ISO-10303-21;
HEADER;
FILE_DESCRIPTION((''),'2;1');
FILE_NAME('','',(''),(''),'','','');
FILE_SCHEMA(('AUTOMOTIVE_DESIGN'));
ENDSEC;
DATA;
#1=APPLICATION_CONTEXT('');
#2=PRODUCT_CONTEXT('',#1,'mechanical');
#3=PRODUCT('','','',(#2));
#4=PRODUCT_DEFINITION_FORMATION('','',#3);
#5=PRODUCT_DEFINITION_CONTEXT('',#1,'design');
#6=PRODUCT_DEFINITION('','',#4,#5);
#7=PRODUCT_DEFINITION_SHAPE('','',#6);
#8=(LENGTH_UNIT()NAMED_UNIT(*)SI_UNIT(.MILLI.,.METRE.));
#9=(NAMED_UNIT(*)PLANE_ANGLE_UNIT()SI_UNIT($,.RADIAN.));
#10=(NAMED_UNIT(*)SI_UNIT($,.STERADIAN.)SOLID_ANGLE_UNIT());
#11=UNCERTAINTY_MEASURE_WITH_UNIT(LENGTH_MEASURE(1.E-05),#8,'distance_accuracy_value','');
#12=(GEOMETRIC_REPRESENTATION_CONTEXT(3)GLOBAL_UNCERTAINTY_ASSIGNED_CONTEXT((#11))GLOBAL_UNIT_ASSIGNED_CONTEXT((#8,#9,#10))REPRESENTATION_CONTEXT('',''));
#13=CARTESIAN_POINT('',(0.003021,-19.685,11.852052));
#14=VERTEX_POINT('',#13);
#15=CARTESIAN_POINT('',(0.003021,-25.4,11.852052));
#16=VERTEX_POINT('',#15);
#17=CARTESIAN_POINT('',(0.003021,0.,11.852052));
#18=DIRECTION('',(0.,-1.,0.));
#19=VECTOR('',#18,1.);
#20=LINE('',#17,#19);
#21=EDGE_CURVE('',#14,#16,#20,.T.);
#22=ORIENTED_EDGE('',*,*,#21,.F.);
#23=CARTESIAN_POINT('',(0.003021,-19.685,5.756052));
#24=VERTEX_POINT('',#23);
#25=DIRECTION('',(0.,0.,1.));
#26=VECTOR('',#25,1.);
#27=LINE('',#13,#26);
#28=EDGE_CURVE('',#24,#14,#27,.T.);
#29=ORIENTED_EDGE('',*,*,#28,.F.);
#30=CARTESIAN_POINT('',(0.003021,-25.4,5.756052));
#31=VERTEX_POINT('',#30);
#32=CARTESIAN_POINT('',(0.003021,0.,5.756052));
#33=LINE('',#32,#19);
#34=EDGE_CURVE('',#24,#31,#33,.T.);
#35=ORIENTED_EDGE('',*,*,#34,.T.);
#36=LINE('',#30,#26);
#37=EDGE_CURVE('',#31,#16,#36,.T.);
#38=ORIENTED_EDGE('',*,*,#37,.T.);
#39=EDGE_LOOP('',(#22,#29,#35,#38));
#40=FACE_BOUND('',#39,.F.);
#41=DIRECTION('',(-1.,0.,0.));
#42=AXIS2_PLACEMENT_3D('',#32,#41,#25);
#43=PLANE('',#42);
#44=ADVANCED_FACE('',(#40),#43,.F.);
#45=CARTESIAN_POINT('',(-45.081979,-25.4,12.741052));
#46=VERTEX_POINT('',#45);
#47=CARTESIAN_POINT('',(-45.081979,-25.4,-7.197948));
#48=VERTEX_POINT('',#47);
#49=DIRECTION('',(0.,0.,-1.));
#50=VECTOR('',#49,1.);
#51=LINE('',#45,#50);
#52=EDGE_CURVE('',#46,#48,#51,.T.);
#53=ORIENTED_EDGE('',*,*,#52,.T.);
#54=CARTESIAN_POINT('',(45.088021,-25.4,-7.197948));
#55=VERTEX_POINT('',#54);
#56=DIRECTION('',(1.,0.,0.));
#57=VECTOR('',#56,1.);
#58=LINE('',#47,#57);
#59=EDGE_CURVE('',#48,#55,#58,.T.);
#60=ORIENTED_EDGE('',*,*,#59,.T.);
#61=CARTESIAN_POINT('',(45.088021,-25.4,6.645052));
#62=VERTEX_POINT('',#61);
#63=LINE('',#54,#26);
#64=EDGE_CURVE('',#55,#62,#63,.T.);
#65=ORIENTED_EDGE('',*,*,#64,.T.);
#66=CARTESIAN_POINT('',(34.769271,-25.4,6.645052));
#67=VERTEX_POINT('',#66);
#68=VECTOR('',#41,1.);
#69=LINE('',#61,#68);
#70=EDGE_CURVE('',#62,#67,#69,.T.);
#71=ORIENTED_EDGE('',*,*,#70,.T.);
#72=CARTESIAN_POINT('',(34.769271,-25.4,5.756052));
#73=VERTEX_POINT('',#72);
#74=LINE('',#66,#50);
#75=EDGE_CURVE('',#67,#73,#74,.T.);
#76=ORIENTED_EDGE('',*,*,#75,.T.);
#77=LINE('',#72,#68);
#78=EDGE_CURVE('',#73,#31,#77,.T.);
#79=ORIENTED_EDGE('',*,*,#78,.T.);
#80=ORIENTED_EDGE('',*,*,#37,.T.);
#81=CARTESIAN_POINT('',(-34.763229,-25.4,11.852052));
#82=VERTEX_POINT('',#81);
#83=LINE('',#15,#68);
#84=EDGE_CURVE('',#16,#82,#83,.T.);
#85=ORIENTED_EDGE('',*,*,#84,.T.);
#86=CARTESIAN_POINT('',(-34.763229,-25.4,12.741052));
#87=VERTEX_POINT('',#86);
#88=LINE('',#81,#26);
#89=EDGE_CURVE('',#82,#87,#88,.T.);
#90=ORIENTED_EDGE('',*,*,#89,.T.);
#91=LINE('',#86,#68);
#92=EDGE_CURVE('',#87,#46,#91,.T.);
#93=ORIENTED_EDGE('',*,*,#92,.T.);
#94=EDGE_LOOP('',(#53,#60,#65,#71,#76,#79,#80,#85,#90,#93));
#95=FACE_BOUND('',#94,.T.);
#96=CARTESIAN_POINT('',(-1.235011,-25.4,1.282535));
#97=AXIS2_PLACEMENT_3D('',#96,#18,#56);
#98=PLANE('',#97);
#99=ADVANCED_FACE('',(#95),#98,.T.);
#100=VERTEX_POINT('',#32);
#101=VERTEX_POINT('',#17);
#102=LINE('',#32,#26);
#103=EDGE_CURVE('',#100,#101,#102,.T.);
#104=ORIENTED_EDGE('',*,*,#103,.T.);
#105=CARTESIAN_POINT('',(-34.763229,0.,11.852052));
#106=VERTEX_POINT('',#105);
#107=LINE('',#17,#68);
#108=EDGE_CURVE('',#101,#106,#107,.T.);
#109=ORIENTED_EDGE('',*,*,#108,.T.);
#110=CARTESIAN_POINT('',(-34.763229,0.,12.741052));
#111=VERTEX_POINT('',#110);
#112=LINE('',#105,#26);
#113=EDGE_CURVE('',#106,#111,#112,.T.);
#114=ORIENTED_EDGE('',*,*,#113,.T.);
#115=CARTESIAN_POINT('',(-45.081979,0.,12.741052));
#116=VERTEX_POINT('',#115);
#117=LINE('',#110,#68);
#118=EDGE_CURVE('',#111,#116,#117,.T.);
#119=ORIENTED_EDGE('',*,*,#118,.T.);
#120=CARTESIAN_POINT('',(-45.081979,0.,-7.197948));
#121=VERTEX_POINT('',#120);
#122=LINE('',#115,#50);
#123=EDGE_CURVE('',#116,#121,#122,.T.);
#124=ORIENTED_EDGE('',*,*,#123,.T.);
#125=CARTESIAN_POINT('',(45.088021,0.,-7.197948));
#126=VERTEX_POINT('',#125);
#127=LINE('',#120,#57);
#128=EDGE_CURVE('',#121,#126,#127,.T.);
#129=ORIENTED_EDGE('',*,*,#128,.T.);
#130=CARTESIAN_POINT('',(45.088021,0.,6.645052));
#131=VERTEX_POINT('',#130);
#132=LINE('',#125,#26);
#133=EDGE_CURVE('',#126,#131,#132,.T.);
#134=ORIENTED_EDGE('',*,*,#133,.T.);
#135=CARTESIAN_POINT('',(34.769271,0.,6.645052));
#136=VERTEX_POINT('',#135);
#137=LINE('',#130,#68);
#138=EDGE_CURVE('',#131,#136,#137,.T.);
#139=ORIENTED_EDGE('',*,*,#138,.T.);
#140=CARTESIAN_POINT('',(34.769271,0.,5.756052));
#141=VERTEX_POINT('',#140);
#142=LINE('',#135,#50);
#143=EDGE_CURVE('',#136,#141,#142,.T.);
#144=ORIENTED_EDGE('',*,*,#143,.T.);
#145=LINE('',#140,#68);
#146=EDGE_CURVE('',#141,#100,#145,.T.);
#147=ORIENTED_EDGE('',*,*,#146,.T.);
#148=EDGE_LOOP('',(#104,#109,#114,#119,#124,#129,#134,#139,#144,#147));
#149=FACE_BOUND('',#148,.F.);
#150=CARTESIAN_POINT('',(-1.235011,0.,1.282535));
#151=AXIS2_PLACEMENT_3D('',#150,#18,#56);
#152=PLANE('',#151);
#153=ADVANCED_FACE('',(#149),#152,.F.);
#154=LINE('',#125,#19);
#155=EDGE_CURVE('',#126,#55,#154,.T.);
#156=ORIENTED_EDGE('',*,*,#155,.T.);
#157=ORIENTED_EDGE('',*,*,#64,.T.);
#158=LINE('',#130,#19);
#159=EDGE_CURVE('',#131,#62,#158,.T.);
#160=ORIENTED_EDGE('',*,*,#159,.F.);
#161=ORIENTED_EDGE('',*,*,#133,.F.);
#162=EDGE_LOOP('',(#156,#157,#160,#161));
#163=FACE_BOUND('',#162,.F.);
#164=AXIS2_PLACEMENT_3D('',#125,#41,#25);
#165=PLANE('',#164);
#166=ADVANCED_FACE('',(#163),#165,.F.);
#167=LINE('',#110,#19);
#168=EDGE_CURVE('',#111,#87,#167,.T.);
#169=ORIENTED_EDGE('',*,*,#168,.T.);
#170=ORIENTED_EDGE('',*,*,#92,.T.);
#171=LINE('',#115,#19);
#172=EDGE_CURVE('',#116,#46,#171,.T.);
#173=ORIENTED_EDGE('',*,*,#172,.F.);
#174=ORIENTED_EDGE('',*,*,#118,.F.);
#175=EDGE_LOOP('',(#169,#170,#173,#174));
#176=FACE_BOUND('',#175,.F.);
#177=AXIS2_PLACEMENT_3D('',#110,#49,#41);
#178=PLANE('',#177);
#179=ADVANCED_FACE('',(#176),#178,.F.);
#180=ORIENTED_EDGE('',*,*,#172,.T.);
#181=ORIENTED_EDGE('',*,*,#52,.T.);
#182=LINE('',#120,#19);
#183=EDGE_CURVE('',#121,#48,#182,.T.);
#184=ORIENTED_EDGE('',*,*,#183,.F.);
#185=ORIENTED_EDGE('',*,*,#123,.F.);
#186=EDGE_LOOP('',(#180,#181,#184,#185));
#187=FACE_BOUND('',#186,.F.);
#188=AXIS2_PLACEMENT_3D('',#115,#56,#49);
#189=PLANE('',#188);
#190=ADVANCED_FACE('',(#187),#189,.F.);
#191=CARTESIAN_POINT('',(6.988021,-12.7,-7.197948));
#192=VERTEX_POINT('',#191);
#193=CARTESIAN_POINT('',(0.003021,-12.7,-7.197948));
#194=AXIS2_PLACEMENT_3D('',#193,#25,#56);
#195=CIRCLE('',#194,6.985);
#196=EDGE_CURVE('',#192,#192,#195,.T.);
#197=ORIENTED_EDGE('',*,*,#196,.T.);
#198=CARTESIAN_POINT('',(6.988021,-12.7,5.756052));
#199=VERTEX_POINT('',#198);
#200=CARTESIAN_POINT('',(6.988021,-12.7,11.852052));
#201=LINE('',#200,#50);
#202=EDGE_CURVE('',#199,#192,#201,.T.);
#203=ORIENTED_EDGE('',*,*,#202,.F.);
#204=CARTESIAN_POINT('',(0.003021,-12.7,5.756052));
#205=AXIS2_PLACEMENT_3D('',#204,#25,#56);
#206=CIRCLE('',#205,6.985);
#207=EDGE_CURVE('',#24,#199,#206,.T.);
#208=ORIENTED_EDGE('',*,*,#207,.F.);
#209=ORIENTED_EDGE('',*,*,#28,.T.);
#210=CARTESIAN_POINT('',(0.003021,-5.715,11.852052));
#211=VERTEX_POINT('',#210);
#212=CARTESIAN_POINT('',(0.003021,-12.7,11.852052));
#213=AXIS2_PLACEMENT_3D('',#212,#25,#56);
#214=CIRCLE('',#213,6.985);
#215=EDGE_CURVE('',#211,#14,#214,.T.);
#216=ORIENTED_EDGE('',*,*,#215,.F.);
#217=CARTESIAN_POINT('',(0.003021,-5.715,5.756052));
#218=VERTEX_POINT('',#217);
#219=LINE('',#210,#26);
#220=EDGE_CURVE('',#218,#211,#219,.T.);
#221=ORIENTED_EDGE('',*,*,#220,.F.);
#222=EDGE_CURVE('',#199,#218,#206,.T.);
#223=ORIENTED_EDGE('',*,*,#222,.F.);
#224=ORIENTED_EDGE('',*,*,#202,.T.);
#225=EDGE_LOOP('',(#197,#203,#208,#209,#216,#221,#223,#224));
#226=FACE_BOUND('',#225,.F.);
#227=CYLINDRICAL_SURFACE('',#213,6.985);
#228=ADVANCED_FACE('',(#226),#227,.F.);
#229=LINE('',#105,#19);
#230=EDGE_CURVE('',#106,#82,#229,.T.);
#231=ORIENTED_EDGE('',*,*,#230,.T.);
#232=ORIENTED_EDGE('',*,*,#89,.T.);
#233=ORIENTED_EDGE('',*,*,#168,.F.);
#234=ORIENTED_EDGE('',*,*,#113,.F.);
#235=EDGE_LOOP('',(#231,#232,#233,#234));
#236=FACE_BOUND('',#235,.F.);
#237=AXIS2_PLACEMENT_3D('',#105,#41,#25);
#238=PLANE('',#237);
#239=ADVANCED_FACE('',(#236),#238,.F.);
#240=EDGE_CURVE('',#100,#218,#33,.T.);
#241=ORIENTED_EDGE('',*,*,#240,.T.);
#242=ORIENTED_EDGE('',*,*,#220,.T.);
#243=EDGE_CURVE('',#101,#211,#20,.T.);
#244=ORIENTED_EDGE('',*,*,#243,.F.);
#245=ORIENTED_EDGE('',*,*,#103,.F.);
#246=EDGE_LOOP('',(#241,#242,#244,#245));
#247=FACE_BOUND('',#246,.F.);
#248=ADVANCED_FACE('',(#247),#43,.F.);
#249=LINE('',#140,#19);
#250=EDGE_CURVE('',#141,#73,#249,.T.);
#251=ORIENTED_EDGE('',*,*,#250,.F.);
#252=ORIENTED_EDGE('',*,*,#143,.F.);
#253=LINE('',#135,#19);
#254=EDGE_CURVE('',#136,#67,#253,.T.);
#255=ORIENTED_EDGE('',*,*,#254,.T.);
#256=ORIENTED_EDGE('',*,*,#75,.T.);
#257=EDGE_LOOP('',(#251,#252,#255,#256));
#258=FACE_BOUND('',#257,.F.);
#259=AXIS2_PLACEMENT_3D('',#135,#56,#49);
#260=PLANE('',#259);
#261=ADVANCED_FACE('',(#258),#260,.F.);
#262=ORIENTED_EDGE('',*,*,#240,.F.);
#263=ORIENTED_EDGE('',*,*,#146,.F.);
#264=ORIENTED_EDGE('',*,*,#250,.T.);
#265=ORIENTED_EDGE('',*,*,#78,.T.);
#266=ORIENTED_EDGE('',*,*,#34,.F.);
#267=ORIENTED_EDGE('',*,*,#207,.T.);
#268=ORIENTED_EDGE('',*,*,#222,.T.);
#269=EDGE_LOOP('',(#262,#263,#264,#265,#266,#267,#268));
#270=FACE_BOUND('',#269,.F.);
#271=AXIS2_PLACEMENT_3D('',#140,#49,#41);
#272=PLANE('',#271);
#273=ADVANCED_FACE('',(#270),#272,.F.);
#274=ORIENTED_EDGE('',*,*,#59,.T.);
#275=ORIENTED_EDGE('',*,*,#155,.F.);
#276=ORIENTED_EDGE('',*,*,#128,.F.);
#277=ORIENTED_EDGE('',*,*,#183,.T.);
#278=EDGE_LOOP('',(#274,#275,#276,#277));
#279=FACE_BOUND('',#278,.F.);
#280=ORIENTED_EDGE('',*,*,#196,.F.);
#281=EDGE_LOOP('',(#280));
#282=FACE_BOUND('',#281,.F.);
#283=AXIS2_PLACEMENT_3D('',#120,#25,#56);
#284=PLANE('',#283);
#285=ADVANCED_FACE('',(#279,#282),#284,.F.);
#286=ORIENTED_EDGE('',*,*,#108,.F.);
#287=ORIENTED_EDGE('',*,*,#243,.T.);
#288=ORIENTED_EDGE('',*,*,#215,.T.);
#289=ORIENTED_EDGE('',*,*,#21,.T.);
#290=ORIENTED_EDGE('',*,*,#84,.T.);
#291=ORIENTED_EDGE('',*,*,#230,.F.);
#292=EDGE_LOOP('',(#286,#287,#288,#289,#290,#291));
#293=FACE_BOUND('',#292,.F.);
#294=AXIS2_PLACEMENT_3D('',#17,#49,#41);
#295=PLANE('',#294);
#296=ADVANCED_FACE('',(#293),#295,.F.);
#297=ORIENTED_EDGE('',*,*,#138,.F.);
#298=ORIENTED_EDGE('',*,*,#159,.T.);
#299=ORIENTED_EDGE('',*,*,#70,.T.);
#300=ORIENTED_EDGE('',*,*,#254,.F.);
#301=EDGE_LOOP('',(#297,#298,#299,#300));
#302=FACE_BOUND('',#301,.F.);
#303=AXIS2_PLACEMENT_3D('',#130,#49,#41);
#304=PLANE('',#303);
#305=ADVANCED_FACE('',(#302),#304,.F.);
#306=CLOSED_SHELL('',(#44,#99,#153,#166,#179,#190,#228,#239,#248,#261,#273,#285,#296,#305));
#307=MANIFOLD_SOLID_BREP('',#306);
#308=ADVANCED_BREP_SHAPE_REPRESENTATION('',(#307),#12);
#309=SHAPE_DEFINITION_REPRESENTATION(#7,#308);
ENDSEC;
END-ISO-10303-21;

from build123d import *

# Parameters (mm, degrees)
F1_DEPTH = 25.4
F2_R     = 6.985
F3_DEPTH = 25.4


with BuildPart() as f1:
    # F0 (on Front) → F1 (new body)
    with BuildSketch(Plane.XZ):
        Polygon((-34.763229, 12.741052), (-45.081979, 12.741052), (-45.081979, -7.197948), (45.088021, -7.197948), (45.088021, 5.756052), (45.088021, 6.645052), (34.769271, 6.645052), (34.769271, 5.756052), (0.003021, 5.756052), (0.003021, 11.852052), (-34.763229, 11.852052), align=None)
    extrude(amount=F1_DEPTH)

    # F2 (on face) → F3 (cut)
    with BuildSketch(Plane.XY.offset(11.852052)):
        with Locations((0.003021, -12.7)):
            Circle(F2_R)
    extrude(amount=-F3_DEPTH, mode=Mode.SUBTRACT)


solid = f1.part
